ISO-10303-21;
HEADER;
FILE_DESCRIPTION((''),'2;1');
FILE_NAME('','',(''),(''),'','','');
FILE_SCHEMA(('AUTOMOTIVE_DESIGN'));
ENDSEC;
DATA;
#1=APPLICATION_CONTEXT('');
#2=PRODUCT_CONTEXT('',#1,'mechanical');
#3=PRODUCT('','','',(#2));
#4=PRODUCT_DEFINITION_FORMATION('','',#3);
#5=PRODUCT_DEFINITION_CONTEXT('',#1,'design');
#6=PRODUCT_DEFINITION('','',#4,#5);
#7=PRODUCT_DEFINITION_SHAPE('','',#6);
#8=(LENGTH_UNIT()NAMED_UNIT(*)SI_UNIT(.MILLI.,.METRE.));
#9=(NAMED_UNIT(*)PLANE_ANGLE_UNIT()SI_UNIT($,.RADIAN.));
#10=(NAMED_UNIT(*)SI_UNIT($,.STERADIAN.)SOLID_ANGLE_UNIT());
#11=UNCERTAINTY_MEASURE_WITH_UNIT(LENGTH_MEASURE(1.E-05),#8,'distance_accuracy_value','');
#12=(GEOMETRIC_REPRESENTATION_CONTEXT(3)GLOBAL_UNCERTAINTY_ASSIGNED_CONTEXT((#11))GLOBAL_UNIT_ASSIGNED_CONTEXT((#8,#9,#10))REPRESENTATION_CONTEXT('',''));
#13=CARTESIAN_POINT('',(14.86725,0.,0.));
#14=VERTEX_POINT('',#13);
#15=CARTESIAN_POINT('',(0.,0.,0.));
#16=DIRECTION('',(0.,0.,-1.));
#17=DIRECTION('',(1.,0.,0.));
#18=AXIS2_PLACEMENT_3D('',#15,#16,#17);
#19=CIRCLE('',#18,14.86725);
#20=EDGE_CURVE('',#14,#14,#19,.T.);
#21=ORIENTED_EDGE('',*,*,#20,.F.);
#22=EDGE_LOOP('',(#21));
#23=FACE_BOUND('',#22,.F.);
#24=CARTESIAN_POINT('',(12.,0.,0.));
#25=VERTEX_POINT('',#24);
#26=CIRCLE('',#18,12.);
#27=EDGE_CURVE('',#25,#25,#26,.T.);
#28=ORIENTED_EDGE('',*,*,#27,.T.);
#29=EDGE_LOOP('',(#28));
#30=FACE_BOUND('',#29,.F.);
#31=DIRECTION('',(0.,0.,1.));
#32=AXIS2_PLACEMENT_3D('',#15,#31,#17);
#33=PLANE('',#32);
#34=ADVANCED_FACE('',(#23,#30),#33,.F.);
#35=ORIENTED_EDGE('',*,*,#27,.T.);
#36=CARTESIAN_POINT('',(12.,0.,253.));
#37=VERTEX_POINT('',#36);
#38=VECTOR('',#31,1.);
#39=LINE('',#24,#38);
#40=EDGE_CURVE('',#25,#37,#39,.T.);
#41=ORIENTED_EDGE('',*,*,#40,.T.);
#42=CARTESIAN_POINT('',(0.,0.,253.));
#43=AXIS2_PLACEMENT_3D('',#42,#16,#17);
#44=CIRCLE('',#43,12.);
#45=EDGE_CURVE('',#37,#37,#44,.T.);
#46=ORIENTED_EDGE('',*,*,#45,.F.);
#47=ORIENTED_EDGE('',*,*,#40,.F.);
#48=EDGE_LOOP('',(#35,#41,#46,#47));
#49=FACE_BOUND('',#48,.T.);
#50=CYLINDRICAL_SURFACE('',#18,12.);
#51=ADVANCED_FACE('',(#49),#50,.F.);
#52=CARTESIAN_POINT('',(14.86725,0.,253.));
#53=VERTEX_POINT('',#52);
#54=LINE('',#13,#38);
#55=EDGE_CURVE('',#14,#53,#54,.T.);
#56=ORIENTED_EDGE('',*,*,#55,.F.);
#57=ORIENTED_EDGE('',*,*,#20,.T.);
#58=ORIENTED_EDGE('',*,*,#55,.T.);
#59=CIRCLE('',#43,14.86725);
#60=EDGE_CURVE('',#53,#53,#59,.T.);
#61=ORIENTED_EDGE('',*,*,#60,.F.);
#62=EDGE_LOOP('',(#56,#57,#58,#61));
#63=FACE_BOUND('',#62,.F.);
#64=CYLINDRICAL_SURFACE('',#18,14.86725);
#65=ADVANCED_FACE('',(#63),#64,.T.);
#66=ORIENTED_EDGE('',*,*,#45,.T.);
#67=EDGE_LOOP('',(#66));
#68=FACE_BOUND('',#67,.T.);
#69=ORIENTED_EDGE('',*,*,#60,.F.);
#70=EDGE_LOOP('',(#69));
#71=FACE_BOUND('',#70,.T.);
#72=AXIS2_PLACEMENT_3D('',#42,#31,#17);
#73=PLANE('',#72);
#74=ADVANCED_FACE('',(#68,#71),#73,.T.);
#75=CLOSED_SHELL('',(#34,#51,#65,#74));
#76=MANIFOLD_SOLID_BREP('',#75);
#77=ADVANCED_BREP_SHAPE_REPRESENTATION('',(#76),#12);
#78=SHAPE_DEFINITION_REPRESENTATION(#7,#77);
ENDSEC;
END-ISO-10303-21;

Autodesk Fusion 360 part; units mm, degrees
sketch "Esquisse1" plane through (0, 0, 0) normal (0, 0, 1) x (1, 0, 0)
  circle A0 centre (0, 0) radius 15
  circle A1 centre (0, 0) radius 12
  dimension "d1" = 30
  dimension "d2" = 24
extrude "Extrusion1" add sketch "Esquisse1" along normal blind 253
thread "Filetage1" "ISO Metric profile 30.0 M30x3.5 6g" major diameter 29.7345 minor diameter 25.732 pitch 3.5 angle 60 resizes the face on face at (14.9255, -1.4935, 168.6667)
